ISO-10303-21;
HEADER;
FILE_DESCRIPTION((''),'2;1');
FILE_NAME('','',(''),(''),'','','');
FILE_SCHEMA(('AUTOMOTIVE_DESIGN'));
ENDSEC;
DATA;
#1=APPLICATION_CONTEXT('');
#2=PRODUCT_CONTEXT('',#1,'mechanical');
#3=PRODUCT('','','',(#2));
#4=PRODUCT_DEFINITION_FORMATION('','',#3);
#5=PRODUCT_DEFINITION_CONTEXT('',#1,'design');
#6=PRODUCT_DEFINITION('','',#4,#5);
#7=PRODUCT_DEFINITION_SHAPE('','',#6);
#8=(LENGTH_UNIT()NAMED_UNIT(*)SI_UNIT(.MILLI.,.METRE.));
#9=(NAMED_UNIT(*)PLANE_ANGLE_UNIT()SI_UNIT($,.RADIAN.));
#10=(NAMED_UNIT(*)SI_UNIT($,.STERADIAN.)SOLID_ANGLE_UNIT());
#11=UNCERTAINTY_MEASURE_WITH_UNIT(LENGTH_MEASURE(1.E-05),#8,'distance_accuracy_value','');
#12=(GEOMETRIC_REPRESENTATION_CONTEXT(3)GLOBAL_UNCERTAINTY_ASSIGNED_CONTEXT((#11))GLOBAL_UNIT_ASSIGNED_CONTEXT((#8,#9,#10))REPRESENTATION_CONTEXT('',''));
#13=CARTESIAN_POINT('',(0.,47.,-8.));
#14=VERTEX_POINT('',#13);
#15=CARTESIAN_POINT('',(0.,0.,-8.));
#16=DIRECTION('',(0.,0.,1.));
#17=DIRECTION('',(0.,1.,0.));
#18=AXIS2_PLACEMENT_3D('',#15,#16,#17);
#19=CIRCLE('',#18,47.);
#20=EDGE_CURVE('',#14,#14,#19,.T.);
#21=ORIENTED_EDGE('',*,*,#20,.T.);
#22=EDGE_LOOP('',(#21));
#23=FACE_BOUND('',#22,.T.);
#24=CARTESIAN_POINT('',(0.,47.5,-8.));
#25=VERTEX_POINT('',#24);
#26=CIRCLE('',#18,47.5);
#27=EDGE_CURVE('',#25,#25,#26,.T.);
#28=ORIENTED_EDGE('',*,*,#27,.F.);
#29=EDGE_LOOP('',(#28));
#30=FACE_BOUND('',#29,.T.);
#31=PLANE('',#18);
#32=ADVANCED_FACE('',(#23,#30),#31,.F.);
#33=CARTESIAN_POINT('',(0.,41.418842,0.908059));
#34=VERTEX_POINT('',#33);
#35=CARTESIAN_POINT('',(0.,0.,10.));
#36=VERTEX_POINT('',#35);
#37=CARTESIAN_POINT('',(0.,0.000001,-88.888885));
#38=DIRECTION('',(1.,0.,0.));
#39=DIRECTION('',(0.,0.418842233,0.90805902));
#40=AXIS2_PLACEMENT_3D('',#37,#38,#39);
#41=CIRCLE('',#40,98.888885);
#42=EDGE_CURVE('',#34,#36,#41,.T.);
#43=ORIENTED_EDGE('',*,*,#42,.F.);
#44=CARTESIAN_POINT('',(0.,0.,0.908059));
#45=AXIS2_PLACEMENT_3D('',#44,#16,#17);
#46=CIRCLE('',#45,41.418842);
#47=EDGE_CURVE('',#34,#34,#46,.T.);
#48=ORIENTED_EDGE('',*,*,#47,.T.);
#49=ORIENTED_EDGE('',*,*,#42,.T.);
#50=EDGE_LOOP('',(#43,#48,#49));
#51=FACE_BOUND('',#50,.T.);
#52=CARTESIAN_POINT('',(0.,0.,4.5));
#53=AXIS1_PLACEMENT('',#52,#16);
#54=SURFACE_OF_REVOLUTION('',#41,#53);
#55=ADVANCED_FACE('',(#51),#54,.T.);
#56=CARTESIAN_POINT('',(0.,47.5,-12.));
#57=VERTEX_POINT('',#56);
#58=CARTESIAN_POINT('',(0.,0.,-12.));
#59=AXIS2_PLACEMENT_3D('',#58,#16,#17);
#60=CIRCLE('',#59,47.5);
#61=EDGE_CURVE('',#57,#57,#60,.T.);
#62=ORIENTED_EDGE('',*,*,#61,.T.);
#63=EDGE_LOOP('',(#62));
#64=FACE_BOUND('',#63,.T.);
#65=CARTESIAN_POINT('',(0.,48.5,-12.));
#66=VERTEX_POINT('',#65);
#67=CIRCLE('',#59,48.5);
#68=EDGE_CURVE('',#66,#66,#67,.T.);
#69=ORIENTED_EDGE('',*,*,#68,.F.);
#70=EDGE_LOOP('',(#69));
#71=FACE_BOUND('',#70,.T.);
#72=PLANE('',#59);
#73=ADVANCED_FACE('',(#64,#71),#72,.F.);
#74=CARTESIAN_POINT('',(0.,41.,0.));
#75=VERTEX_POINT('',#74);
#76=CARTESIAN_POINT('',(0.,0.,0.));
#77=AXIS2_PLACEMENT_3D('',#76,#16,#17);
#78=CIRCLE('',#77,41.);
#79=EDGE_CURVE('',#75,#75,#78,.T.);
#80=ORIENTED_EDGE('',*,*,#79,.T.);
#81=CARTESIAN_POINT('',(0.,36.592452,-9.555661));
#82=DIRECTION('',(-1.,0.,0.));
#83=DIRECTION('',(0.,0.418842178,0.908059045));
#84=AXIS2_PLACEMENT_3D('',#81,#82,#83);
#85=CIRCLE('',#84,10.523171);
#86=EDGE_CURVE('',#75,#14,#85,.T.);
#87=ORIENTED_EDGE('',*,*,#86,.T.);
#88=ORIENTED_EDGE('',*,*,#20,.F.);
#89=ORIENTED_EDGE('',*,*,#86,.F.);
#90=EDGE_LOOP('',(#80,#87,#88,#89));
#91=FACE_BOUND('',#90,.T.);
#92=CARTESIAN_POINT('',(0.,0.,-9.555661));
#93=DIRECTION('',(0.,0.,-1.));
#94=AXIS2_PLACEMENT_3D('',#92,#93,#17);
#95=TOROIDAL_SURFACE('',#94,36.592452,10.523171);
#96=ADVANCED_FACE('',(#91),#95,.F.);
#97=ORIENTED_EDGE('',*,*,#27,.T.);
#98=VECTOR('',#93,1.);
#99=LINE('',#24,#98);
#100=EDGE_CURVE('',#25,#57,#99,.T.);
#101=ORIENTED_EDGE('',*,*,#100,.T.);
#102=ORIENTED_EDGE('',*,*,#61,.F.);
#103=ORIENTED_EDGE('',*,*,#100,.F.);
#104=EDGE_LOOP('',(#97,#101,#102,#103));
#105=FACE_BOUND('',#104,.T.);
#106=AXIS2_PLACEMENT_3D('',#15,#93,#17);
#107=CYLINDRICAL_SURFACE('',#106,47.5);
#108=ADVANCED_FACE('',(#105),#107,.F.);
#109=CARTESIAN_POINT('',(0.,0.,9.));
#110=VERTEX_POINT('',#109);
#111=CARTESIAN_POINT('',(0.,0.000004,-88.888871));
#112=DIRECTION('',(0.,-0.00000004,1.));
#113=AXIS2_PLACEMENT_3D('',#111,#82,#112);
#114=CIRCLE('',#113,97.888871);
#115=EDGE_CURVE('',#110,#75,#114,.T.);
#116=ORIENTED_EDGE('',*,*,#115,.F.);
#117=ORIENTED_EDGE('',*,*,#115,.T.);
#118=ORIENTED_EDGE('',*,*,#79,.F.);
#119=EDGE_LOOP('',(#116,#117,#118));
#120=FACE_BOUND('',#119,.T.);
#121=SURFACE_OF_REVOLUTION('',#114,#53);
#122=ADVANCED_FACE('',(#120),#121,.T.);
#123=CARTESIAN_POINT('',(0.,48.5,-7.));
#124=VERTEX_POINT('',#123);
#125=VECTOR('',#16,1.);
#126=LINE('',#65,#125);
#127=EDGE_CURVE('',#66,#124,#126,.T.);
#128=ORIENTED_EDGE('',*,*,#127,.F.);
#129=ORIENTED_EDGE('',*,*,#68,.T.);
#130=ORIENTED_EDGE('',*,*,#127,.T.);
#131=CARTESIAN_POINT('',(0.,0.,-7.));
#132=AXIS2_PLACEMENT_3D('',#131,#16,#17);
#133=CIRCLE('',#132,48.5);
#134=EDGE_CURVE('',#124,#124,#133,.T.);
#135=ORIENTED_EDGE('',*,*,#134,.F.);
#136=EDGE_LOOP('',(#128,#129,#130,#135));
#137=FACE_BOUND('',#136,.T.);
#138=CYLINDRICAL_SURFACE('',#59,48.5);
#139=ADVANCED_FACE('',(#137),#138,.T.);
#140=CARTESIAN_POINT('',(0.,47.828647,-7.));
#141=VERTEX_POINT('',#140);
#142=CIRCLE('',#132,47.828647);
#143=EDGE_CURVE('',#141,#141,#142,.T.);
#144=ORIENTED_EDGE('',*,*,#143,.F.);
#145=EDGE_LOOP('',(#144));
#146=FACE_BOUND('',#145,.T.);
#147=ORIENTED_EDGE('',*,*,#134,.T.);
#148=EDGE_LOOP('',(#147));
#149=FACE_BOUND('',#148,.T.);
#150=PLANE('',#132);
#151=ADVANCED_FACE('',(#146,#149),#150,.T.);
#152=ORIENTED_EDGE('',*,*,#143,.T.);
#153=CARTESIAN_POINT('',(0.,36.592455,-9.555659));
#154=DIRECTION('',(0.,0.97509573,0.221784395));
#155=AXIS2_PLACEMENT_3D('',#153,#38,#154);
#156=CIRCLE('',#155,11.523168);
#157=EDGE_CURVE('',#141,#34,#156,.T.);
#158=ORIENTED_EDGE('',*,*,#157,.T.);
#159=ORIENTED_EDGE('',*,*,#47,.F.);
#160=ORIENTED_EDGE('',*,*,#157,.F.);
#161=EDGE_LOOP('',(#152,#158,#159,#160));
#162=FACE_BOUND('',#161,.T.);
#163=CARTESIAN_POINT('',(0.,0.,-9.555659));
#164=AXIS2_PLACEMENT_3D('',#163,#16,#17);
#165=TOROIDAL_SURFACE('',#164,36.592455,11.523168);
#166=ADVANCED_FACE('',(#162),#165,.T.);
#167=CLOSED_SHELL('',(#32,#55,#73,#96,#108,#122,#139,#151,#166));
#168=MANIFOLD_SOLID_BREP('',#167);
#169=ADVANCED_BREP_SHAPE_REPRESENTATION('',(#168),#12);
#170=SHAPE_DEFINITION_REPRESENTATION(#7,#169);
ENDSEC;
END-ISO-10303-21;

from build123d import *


with BuildPart() as f1:
    # F0 (on Right) → F1 (revolve)
    with BuildSketch(Plane.YZ):
        with BuildLine():
            ThreePointArc((0, 9), (20.988092, 6.72353), (41, 0))
            ThreePointArc((41, 0), (45.010989, -3.241758), (47, -8))
            Line((47, -8), (47.5, -8))
            Line((47.5, -8), (47.5, -12))
            Line((47.5, -12), (48.5, -12))
            Line((48.5, -12), (48.5, -7))
            Line((48.5, -7), (47.828647, -7))
            ThreePointArc((47.828647, -7), (45.544324, -2.299803), (41.418842, 0.908059))
            ThreePointArc((41.418842, 0.908059), (21.202499, 7.700274), (0, 10))
            Line((0, 10), (0, 9))
        make_face()
    revolve(axis=Axis((0, 0, 4.5), (0, 0, 1)))


solid = f1.part
